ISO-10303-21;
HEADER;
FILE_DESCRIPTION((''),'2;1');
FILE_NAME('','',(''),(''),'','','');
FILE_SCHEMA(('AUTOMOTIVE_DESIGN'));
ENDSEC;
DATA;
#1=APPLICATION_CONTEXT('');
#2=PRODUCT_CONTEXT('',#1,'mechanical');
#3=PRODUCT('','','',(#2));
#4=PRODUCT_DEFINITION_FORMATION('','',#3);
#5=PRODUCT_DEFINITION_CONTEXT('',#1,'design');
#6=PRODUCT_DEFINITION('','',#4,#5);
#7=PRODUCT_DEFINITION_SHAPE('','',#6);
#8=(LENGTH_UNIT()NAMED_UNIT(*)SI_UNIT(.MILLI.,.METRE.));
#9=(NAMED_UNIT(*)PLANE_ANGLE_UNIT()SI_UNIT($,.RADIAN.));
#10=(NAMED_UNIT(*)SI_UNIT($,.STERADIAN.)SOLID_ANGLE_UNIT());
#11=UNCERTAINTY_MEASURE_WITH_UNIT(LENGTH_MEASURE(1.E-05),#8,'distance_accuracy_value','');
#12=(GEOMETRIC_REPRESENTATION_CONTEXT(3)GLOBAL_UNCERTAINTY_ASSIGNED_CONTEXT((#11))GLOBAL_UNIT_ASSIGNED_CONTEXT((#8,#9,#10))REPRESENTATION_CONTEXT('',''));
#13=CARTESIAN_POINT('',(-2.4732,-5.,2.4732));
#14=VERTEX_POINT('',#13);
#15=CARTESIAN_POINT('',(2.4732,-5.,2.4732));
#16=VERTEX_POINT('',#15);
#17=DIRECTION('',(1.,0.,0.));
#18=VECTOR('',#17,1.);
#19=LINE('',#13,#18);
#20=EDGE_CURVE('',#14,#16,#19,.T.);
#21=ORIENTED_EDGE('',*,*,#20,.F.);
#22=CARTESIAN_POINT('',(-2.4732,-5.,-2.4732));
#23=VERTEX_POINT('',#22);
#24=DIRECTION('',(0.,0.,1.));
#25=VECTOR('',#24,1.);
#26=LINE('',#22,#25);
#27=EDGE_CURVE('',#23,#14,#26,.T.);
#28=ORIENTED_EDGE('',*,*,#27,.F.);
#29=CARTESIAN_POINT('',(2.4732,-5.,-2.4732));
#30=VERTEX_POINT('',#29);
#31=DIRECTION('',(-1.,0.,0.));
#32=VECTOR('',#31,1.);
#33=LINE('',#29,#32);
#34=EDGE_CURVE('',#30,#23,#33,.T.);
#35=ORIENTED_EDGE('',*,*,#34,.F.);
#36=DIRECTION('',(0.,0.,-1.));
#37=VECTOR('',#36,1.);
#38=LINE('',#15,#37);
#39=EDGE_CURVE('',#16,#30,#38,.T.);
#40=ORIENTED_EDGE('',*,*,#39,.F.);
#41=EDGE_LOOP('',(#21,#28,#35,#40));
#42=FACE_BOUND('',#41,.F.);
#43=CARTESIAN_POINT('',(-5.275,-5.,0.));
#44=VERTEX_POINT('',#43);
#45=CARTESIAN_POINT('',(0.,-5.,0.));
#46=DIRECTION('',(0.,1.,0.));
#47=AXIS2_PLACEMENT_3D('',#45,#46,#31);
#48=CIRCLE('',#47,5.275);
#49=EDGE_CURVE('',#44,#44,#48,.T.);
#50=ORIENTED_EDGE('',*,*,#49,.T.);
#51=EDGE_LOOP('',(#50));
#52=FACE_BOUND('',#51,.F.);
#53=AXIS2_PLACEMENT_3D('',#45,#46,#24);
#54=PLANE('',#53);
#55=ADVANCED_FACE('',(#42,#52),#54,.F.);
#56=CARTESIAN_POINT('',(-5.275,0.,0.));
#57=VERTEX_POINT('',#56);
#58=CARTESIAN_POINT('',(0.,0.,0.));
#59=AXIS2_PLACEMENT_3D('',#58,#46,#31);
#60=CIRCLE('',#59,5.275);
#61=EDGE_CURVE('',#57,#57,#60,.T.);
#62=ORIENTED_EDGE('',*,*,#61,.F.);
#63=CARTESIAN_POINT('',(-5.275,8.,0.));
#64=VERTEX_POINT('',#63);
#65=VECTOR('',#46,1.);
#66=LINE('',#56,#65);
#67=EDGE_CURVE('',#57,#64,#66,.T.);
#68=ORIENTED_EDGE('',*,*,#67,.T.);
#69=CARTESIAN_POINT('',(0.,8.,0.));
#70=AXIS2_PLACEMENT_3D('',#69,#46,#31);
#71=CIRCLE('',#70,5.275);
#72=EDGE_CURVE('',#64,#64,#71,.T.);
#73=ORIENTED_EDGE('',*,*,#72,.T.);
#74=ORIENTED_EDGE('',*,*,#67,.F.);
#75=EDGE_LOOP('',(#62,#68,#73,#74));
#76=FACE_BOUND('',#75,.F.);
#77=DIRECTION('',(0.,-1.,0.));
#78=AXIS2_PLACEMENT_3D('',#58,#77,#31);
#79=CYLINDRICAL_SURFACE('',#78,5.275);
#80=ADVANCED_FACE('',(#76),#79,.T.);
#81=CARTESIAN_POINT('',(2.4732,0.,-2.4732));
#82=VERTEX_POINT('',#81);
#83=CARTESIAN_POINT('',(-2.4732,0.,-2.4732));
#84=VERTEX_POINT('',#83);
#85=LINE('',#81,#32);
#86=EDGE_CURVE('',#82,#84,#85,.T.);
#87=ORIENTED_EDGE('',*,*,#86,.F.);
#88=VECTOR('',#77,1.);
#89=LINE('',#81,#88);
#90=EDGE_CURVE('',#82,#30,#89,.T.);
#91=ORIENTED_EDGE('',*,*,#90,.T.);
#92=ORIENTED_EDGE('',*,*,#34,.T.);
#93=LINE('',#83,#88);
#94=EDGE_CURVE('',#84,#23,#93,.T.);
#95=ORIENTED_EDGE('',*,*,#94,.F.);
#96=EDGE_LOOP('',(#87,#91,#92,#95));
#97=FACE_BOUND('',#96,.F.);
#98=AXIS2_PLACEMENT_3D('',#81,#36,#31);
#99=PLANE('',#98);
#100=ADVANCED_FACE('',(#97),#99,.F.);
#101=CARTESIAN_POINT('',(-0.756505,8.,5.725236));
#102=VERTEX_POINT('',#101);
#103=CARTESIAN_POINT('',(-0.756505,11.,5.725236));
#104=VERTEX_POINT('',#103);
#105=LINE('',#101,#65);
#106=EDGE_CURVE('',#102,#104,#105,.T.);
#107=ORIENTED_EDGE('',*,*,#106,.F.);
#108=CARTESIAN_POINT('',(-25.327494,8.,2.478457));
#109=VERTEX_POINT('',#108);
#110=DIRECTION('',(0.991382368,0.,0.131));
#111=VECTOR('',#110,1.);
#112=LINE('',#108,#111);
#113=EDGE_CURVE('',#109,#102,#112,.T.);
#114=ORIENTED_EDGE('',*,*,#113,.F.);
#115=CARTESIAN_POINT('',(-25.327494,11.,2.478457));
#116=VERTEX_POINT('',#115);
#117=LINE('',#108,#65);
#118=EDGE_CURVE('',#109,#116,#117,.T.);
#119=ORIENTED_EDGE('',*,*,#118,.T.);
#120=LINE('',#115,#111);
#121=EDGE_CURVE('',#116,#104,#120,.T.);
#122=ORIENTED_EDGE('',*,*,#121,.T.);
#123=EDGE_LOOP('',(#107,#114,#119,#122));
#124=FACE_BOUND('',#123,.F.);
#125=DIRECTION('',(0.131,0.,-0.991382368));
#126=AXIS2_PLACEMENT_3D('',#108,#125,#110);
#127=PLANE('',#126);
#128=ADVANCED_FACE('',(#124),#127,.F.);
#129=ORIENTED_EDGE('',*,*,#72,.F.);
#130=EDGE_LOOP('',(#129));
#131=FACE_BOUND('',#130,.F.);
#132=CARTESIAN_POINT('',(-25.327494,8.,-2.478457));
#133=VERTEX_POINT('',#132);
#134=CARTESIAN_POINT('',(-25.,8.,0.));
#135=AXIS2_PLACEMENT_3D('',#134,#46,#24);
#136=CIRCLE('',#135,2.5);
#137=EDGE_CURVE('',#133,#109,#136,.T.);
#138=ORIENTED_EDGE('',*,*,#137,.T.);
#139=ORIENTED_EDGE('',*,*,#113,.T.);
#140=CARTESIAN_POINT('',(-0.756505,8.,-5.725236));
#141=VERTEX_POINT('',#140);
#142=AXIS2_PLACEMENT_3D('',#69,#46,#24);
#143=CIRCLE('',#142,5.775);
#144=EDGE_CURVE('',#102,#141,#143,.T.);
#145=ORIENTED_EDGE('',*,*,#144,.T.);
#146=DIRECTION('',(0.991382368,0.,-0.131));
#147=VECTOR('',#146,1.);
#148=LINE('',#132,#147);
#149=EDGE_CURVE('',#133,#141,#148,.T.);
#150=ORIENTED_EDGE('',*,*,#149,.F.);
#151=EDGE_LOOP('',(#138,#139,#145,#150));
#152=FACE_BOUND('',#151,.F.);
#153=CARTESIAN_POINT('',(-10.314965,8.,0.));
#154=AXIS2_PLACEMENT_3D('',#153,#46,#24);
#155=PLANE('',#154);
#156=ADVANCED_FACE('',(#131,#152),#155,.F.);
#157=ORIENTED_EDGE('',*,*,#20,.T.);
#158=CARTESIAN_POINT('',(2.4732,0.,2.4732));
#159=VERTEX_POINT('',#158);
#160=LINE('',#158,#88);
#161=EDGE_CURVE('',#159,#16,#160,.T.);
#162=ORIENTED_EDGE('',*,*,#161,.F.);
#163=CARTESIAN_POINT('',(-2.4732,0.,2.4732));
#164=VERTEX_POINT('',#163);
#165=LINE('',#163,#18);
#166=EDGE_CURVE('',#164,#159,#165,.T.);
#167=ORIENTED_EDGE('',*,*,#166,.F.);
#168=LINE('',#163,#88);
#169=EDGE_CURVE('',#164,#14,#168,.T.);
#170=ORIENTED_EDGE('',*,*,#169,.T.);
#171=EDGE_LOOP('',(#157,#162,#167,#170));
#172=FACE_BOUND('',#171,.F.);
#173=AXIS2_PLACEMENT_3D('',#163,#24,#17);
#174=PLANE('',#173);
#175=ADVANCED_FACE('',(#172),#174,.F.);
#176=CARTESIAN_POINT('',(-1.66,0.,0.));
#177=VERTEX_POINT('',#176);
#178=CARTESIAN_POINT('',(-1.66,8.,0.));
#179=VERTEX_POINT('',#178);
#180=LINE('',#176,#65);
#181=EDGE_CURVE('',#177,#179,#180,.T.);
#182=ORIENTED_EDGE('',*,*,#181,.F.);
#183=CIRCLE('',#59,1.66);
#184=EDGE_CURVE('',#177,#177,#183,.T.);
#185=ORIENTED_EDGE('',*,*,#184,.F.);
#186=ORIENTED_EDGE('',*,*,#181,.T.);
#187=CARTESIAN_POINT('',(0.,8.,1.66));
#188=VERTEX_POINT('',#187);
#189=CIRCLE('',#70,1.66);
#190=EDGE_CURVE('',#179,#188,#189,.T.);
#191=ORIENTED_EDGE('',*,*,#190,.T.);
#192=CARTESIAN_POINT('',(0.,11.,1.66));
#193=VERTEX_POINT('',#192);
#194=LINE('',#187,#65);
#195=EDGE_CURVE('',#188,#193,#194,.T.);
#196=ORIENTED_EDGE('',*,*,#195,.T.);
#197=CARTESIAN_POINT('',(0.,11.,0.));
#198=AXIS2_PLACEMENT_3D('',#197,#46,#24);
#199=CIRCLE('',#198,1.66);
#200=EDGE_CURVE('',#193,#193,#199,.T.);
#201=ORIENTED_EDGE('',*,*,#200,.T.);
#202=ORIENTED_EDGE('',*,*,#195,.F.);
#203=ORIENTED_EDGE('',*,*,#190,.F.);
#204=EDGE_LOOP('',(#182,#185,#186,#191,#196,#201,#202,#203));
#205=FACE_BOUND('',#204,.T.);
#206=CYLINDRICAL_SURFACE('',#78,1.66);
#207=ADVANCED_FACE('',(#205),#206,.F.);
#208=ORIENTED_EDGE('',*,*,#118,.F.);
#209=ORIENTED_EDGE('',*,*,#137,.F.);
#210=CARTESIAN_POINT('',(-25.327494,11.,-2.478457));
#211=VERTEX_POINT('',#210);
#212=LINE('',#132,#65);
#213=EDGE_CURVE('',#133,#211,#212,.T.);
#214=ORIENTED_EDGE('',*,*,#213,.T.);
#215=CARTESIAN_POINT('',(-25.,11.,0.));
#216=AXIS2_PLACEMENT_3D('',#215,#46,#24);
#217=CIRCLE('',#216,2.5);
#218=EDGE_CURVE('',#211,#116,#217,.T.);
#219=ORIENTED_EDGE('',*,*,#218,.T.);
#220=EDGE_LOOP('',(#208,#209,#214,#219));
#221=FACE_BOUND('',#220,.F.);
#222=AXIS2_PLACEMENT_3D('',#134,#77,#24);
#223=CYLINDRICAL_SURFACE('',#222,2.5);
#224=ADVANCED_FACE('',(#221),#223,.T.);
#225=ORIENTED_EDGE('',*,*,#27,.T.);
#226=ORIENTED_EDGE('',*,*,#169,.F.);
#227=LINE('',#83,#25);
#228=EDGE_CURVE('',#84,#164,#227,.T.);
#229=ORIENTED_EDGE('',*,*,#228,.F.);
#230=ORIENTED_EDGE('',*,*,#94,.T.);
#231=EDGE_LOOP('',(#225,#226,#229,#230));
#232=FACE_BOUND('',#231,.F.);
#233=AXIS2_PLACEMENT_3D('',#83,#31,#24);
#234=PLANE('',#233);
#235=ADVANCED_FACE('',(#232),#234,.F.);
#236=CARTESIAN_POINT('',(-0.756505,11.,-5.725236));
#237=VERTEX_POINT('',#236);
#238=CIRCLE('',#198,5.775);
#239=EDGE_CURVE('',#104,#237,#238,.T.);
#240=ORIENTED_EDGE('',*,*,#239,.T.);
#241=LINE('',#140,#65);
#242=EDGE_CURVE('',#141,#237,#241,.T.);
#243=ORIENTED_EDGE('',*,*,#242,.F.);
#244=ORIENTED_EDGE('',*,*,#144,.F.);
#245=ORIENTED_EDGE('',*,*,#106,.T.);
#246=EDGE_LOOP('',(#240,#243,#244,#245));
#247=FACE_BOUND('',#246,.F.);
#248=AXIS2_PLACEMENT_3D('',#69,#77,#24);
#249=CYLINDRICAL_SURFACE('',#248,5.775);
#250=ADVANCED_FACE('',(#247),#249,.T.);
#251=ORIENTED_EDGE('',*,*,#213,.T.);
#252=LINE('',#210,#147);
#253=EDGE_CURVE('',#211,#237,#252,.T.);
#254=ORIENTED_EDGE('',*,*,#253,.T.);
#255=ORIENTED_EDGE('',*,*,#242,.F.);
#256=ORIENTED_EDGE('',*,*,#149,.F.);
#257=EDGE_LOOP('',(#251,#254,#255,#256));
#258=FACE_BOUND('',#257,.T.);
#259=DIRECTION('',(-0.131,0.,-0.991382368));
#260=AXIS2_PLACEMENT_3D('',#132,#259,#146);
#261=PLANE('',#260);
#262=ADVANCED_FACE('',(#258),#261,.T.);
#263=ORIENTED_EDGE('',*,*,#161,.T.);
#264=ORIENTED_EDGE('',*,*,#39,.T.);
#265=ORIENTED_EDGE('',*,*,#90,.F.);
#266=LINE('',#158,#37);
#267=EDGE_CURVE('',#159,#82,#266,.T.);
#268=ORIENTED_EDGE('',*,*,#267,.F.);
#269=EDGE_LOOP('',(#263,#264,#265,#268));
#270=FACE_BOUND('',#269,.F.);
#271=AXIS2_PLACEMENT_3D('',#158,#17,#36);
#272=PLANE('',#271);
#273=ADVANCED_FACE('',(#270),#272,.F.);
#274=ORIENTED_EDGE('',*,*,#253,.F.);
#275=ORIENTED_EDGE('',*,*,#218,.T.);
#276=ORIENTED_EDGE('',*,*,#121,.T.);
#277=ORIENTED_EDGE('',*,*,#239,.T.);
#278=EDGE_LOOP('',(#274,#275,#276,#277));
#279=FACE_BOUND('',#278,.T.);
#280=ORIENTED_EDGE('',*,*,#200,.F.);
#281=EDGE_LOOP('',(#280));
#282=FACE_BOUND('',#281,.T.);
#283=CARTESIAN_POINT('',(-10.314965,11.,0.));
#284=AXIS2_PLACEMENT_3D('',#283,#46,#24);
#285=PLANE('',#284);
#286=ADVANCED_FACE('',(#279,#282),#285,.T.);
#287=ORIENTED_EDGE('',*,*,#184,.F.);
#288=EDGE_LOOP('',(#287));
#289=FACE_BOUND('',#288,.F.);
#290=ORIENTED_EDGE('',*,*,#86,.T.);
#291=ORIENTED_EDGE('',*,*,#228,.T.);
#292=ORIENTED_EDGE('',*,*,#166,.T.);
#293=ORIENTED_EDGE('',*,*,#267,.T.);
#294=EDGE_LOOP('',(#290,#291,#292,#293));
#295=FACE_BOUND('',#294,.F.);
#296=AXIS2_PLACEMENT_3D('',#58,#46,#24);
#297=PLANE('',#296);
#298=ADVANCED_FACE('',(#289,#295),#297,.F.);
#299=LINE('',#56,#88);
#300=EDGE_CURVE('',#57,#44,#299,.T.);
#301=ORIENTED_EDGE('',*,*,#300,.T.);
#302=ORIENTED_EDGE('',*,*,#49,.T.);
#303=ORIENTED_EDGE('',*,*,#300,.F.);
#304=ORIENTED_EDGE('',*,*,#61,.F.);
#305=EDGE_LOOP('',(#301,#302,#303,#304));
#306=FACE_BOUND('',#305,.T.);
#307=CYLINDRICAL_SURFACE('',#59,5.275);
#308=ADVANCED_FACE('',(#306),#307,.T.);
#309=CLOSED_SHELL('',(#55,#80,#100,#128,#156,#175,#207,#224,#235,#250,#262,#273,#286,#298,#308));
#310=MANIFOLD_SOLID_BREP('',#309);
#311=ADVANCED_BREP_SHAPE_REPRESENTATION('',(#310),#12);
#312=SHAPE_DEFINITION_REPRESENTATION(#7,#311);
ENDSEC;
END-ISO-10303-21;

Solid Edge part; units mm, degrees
sketch "Sketch1" plane through (0, 0, 0) normal (0, 1, 0) x (-1, 0, 0)
  circle A0 centre (0, 0) radius 5.275
  circle A1 centre (0, 0) radius 1.66
  dimension "D1" = 0.5
  dimension "D2" = 0.1
extrude "Protrusion1" add sketch "Sketch1" along normal blind 8
sketch "Sketch2" plane through (0, 8, 0) normal (0, 1, 0) x (0, 0, 1)
  arc A0 (5.7252, -0.7565) -> (-5.7252, -0.7565) centre (0, 0) ccw
  line L0 (-2.4785, -25.3275) -> (-5.7252, -0.7565)
  arc A1 (-2.4785, -25.3275) -> (2.4785, -25.3275) centre (0, -25) ccw
  line L1 (2.4785, -25.3275) -> (5.7252, -0.7565)
  circle A2 centre (0, 0) radius 1.66
  dimension "D1" = 25
extrude "ExtrudedProtrusion_2" add sketch "Sketch2" along normal blind 3
sketch "Sketch3" plane through (0, 0, 0) normal (0, 1, 0) x (-1, 0, 0)
  line L0 (2.4732, 2.4732) -> (-2.4732, 2.4732)
  line L1 (-2.4732, 2.4732) -> (-2.4732, -2.4732)
  line L2 (-2.4732, -2.4732) -> (2.4732, -2.4732)
  line L3 (2.4732, -2.4732) -> (2.4732, 2.4732)
  circle A0 centre (0, 0) radius 5.275
  dimension "D1" = 0.5
  dimension "D2" = 0.1
extrude "ExtrudedProtrusion_5" add sketch "Sketch3" against normal blind 5
